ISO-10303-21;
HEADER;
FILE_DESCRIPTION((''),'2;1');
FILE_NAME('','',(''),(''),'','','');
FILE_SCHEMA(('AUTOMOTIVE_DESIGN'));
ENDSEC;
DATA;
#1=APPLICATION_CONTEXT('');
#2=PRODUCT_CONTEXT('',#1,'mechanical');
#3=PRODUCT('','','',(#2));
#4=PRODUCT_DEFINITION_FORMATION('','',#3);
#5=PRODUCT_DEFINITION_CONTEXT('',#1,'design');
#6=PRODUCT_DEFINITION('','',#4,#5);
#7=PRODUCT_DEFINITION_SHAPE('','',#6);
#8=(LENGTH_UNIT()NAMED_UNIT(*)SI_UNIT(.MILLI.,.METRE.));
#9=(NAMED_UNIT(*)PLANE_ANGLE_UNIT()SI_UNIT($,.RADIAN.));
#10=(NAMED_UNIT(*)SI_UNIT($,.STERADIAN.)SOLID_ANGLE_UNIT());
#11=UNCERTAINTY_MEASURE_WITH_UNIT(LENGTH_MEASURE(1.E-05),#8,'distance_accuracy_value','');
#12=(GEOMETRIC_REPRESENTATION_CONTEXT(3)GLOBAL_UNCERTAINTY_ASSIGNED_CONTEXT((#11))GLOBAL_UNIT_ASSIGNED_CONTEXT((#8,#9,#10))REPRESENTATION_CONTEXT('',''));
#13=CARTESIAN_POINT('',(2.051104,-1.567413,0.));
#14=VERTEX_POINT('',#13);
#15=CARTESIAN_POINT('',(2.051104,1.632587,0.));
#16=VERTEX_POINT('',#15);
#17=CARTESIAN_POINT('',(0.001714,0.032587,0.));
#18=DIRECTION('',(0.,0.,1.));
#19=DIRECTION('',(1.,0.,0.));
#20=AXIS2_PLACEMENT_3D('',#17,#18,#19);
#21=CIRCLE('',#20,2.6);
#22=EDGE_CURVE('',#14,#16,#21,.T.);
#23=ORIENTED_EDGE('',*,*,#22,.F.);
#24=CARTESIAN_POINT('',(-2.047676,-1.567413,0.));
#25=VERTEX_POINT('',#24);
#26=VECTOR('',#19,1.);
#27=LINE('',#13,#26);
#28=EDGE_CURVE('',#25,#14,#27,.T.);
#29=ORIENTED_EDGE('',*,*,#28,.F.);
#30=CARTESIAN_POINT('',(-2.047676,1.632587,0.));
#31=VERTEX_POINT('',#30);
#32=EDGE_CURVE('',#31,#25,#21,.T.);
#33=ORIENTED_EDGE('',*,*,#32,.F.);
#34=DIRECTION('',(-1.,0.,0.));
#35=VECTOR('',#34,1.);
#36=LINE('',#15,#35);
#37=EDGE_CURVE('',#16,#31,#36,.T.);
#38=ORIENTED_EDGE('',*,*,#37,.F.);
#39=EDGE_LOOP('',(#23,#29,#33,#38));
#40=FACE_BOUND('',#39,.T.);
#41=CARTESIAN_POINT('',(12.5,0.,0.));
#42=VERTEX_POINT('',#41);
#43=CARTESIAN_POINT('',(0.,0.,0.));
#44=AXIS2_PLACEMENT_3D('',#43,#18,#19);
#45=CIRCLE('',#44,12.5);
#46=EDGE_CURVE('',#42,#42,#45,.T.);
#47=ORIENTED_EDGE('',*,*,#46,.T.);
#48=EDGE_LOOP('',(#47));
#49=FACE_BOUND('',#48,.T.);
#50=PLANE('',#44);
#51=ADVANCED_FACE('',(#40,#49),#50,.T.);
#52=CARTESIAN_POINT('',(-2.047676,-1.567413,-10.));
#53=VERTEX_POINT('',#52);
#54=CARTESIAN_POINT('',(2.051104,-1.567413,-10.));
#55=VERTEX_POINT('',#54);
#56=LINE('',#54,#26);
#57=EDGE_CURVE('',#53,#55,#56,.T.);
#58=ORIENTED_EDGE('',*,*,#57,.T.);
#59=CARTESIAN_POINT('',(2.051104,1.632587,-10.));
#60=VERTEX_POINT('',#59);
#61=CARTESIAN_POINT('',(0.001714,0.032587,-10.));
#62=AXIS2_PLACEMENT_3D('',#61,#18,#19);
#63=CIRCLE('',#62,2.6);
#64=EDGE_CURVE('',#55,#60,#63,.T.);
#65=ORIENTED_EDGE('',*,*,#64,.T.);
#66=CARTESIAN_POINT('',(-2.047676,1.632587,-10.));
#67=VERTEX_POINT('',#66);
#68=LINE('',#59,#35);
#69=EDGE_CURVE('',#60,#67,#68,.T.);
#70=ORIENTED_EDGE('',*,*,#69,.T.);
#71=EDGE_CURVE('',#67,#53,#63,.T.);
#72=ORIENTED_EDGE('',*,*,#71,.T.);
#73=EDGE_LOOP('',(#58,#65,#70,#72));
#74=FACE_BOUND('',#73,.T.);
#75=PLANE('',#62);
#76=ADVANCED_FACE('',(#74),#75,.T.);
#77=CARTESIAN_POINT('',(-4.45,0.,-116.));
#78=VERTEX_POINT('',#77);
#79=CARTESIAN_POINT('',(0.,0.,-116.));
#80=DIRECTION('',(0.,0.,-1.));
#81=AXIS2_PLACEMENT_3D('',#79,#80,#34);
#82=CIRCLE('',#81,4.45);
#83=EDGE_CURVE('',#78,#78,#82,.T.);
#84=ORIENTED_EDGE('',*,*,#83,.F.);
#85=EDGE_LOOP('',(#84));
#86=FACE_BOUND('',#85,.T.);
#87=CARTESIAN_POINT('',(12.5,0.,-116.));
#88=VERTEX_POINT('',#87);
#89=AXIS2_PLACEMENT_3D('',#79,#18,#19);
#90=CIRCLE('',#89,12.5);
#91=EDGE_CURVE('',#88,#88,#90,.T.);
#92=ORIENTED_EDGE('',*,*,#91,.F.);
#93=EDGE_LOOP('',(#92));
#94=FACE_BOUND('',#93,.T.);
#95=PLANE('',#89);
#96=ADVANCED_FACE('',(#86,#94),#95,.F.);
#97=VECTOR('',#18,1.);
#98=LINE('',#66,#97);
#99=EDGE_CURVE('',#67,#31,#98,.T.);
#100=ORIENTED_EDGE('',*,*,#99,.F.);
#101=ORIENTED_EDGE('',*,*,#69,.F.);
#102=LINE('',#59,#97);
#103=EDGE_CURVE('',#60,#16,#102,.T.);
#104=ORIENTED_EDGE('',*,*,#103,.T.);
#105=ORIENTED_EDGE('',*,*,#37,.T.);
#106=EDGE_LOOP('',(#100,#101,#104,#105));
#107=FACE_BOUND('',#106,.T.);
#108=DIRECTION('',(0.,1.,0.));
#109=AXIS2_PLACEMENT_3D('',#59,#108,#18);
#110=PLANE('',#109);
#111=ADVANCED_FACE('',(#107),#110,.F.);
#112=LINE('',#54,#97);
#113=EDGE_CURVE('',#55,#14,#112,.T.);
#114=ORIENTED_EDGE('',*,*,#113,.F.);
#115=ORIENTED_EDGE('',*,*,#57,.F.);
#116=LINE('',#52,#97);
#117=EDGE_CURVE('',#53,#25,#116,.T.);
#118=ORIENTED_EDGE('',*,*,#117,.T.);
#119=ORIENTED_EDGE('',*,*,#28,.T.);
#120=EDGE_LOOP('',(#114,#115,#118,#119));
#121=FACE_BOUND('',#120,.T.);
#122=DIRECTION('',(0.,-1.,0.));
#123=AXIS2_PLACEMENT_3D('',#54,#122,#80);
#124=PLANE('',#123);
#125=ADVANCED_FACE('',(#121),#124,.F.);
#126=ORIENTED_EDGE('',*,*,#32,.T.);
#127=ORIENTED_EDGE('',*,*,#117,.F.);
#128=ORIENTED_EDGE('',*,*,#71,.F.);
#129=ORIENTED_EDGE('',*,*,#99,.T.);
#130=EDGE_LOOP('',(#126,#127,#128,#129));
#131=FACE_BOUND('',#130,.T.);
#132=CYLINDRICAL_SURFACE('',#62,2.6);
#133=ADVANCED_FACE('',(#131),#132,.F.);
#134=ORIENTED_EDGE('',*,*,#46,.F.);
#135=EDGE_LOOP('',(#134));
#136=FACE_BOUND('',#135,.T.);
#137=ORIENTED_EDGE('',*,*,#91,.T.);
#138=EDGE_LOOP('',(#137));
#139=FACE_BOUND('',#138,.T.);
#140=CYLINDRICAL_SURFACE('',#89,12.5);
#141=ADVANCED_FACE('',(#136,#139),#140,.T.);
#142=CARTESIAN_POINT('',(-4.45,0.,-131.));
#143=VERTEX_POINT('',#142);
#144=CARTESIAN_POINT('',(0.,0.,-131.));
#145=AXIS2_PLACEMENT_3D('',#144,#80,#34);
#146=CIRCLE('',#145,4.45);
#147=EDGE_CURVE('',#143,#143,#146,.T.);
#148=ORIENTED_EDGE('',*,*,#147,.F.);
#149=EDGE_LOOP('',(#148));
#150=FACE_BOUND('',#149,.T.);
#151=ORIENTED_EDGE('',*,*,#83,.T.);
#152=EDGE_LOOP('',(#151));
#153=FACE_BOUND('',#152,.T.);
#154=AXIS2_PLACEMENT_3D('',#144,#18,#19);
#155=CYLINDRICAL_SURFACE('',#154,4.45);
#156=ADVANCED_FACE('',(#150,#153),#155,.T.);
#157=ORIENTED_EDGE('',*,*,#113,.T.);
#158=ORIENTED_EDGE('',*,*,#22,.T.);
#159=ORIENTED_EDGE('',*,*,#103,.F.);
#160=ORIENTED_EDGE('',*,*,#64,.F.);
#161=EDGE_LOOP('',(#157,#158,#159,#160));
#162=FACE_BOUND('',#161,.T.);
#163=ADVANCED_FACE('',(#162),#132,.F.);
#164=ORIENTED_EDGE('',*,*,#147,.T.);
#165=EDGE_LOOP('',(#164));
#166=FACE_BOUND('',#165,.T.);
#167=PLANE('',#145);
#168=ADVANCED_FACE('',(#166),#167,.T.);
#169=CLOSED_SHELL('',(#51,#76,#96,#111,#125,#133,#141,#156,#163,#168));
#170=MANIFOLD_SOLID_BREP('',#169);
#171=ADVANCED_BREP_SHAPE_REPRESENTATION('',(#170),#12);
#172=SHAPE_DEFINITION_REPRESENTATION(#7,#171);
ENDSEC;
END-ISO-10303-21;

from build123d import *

# Parameters (mm, degrees)
SKETCH2_R           = 12.5
BOSS_EXTRUDE1_DEPTH = 116
SKETCH3_R           = 4.45
BOSS_EXTRUDE2_DEPTH = 15
CUT_EXTRUDE1_DEPTH  = 10


with BuildPart() as part:
    # Sketch2 → Boss-Extrude1 (new body)
    with BuildSketch(Plane.XY):
        Circle(SKETCH2_R)
    extrude(amount=-BOSS_EXTRUDE1_DEPTH)

    # Sketch3 → Boss-Extrude2 (add)
    with BuildSketch(Plane(origin=(0, 0, -116), x_dir=(-1, 0, 0), z_dir=(0, 0, -1))):
        Circle(SKETCH3_R)
    extrude(amount=BOSS_EXTRUDE2_DEPTH)

    # Sketch1 → Cut-Extrude1 (cut)
    with BuildSketch(Plane.XY):
        with BuildLine():
            Line((2.051104302, -1.567413373), (-2.047676004, -1.567413373))
            ThreePointArc((-2.047676004, -1.567413373), (-2.598285851, 0.032586627), (-2.047676004, 1.632586627))
            Line((-2.047676004, 1.632586627), (2.051104302, 1.632586627))
            ThreePointArc((2.051104302, 1.632586627), (2.601714149, 0.032586627), (2.051104302, -1.567413373))
        make_face()
    extrude(amount=-CUT_EXTRUDE1_DEPTH, mode=Mode.SUBTRACT)


solid = part.part
